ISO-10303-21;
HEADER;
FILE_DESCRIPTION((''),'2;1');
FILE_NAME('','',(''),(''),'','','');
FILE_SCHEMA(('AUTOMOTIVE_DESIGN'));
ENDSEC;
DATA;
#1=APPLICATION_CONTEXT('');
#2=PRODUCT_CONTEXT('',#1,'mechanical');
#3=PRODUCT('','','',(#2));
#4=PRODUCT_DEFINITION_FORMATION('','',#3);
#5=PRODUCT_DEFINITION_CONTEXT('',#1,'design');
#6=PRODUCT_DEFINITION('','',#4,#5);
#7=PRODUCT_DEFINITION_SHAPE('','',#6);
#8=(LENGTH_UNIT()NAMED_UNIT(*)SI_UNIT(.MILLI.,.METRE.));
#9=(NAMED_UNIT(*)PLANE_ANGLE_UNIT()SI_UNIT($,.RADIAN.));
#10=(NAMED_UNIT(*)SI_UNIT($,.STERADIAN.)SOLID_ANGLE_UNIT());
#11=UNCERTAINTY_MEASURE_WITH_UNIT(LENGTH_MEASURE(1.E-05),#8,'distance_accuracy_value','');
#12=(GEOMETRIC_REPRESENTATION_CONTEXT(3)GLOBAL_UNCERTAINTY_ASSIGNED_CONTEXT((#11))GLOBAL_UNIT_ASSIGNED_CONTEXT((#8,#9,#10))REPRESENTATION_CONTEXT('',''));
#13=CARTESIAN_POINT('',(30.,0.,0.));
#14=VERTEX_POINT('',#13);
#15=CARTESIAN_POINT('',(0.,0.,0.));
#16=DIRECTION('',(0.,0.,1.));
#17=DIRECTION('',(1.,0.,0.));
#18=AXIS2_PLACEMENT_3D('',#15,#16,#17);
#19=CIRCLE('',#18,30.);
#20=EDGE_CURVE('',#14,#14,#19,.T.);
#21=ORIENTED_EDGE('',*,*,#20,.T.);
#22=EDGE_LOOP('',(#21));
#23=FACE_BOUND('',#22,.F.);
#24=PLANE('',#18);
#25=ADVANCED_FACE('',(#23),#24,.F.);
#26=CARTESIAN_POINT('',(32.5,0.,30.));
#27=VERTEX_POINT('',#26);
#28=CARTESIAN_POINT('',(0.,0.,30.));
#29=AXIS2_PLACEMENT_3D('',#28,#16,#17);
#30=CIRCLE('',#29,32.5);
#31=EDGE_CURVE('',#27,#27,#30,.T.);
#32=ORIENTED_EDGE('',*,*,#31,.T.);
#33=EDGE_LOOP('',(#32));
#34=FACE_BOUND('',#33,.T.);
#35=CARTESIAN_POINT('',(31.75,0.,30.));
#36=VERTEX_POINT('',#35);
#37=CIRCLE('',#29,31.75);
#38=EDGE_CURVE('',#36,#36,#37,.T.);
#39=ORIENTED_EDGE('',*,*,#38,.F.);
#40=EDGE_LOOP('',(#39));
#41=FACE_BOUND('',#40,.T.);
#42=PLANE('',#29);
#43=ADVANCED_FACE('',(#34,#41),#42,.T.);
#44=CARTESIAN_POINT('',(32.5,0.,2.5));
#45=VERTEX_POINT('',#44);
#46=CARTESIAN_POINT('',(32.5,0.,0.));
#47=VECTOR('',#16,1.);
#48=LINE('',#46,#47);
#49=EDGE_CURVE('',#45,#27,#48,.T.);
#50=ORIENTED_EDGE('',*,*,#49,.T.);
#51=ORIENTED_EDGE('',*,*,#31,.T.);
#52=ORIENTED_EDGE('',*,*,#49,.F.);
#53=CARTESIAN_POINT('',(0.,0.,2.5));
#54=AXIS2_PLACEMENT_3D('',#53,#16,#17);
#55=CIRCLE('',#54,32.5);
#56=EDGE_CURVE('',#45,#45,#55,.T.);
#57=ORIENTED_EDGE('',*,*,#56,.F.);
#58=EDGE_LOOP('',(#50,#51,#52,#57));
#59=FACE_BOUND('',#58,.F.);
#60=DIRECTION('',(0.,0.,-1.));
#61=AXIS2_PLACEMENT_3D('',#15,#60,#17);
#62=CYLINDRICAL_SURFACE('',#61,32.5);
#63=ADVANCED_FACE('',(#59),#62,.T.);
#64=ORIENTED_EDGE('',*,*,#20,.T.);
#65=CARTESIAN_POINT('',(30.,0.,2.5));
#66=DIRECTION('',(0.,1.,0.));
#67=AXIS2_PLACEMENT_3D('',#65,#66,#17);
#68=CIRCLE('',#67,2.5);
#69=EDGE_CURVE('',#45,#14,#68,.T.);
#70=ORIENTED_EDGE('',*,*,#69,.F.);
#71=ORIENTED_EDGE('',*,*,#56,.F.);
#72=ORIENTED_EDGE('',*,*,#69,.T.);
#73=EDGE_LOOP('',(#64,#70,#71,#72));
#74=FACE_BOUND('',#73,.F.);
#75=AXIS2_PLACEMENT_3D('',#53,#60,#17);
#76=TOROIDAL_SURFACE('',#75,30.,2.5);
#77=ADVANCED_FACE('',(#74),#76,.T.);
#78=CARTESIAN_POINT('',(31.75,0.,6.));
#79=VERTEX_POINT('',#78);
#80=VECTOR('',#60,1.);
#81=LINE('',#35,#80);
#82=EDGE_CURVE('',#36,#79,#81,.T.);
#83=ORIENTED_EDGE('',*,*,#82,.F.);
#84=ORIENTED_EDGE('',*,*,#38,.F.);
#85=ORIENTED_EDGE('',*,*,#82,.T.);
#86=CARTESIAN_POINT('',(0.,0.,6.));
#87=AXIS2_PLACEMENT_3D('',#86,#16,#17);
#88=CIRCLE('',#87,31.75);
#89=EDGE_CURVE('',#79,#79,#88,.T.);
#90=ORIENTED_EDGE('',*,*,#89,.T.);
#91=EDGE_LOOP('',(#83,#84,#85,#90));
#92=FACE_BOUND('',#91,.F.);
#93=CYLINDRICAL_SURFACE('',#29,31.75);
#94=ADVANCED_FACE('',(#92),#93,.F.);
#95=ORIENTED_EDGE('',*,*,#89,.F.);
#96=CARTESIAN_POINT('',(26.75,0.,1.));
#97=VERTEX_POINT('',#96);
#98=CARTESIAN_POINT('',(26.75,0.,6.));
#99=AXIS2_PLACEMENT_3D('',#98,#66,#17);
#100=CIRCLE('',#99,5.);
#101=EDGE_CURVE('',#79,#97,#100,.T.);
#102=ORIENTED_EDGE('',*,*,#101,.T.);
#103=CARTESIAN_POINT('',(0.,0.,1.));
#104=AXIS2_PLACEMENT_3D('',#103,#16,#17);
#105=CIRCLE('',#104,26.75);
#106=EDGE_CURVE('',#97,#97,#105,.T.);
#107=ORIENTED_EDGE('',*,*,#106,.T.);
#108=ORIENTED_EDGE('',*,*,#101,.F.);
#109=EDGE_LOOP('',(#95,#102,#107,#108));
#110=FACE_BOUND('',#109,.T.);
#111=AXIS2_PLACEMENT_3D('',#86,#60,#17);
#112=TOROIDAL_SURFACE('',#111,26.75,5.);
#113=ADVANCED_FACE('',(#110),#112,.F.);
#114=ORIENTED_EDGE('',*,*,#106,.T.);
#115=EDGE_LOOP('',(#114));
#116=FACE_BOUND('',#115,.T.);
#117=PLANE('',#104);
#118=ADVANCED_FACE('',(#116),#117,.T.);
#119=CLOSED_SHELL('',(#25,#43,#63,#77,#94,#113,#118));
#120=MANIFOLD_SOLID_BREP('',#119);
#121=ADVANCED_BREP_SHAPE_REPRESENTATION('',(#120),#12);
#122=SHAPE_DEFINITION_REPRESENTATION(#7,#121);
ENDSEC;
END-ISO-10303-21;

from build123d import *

# Parameters (mm, degrees)
F0_R     = 32.5
F1_DEPTH = 30
F2_R     = 31.75
F3_DEPTH = 29
F4_R     = 5
F5_R     = 2.5


with BuildPart() as f1:
    # F0 (on Top) → F1 (new body)
    with BuildSketch(Plane.XY):
        Circle(F0_R)
    extrude(amount=F1_DEPTH)

    # F2 (on face) → F3 (cut)
    with BuildSketch(Plane.XY.offset(30)):
        Circle(F2_R)
    extrude(amount=-F3_DEPTH, mode=Mode.SUBTRACT)

    # F4
    f4_edges = [f1.edges().sort_by_distance(p)[0] for p in [
        (-31.75, 0, 1),
    ]]
    fillet(f4_edges, radius=F4_R)

    # F5
    f5_edges = [f1.edges().sort_by_distance(p)[0] for p in [
        (-32.5, 0, 0),
    ]]
    fillet(f5_edges, radius=F5_R)


solid = f1.part
